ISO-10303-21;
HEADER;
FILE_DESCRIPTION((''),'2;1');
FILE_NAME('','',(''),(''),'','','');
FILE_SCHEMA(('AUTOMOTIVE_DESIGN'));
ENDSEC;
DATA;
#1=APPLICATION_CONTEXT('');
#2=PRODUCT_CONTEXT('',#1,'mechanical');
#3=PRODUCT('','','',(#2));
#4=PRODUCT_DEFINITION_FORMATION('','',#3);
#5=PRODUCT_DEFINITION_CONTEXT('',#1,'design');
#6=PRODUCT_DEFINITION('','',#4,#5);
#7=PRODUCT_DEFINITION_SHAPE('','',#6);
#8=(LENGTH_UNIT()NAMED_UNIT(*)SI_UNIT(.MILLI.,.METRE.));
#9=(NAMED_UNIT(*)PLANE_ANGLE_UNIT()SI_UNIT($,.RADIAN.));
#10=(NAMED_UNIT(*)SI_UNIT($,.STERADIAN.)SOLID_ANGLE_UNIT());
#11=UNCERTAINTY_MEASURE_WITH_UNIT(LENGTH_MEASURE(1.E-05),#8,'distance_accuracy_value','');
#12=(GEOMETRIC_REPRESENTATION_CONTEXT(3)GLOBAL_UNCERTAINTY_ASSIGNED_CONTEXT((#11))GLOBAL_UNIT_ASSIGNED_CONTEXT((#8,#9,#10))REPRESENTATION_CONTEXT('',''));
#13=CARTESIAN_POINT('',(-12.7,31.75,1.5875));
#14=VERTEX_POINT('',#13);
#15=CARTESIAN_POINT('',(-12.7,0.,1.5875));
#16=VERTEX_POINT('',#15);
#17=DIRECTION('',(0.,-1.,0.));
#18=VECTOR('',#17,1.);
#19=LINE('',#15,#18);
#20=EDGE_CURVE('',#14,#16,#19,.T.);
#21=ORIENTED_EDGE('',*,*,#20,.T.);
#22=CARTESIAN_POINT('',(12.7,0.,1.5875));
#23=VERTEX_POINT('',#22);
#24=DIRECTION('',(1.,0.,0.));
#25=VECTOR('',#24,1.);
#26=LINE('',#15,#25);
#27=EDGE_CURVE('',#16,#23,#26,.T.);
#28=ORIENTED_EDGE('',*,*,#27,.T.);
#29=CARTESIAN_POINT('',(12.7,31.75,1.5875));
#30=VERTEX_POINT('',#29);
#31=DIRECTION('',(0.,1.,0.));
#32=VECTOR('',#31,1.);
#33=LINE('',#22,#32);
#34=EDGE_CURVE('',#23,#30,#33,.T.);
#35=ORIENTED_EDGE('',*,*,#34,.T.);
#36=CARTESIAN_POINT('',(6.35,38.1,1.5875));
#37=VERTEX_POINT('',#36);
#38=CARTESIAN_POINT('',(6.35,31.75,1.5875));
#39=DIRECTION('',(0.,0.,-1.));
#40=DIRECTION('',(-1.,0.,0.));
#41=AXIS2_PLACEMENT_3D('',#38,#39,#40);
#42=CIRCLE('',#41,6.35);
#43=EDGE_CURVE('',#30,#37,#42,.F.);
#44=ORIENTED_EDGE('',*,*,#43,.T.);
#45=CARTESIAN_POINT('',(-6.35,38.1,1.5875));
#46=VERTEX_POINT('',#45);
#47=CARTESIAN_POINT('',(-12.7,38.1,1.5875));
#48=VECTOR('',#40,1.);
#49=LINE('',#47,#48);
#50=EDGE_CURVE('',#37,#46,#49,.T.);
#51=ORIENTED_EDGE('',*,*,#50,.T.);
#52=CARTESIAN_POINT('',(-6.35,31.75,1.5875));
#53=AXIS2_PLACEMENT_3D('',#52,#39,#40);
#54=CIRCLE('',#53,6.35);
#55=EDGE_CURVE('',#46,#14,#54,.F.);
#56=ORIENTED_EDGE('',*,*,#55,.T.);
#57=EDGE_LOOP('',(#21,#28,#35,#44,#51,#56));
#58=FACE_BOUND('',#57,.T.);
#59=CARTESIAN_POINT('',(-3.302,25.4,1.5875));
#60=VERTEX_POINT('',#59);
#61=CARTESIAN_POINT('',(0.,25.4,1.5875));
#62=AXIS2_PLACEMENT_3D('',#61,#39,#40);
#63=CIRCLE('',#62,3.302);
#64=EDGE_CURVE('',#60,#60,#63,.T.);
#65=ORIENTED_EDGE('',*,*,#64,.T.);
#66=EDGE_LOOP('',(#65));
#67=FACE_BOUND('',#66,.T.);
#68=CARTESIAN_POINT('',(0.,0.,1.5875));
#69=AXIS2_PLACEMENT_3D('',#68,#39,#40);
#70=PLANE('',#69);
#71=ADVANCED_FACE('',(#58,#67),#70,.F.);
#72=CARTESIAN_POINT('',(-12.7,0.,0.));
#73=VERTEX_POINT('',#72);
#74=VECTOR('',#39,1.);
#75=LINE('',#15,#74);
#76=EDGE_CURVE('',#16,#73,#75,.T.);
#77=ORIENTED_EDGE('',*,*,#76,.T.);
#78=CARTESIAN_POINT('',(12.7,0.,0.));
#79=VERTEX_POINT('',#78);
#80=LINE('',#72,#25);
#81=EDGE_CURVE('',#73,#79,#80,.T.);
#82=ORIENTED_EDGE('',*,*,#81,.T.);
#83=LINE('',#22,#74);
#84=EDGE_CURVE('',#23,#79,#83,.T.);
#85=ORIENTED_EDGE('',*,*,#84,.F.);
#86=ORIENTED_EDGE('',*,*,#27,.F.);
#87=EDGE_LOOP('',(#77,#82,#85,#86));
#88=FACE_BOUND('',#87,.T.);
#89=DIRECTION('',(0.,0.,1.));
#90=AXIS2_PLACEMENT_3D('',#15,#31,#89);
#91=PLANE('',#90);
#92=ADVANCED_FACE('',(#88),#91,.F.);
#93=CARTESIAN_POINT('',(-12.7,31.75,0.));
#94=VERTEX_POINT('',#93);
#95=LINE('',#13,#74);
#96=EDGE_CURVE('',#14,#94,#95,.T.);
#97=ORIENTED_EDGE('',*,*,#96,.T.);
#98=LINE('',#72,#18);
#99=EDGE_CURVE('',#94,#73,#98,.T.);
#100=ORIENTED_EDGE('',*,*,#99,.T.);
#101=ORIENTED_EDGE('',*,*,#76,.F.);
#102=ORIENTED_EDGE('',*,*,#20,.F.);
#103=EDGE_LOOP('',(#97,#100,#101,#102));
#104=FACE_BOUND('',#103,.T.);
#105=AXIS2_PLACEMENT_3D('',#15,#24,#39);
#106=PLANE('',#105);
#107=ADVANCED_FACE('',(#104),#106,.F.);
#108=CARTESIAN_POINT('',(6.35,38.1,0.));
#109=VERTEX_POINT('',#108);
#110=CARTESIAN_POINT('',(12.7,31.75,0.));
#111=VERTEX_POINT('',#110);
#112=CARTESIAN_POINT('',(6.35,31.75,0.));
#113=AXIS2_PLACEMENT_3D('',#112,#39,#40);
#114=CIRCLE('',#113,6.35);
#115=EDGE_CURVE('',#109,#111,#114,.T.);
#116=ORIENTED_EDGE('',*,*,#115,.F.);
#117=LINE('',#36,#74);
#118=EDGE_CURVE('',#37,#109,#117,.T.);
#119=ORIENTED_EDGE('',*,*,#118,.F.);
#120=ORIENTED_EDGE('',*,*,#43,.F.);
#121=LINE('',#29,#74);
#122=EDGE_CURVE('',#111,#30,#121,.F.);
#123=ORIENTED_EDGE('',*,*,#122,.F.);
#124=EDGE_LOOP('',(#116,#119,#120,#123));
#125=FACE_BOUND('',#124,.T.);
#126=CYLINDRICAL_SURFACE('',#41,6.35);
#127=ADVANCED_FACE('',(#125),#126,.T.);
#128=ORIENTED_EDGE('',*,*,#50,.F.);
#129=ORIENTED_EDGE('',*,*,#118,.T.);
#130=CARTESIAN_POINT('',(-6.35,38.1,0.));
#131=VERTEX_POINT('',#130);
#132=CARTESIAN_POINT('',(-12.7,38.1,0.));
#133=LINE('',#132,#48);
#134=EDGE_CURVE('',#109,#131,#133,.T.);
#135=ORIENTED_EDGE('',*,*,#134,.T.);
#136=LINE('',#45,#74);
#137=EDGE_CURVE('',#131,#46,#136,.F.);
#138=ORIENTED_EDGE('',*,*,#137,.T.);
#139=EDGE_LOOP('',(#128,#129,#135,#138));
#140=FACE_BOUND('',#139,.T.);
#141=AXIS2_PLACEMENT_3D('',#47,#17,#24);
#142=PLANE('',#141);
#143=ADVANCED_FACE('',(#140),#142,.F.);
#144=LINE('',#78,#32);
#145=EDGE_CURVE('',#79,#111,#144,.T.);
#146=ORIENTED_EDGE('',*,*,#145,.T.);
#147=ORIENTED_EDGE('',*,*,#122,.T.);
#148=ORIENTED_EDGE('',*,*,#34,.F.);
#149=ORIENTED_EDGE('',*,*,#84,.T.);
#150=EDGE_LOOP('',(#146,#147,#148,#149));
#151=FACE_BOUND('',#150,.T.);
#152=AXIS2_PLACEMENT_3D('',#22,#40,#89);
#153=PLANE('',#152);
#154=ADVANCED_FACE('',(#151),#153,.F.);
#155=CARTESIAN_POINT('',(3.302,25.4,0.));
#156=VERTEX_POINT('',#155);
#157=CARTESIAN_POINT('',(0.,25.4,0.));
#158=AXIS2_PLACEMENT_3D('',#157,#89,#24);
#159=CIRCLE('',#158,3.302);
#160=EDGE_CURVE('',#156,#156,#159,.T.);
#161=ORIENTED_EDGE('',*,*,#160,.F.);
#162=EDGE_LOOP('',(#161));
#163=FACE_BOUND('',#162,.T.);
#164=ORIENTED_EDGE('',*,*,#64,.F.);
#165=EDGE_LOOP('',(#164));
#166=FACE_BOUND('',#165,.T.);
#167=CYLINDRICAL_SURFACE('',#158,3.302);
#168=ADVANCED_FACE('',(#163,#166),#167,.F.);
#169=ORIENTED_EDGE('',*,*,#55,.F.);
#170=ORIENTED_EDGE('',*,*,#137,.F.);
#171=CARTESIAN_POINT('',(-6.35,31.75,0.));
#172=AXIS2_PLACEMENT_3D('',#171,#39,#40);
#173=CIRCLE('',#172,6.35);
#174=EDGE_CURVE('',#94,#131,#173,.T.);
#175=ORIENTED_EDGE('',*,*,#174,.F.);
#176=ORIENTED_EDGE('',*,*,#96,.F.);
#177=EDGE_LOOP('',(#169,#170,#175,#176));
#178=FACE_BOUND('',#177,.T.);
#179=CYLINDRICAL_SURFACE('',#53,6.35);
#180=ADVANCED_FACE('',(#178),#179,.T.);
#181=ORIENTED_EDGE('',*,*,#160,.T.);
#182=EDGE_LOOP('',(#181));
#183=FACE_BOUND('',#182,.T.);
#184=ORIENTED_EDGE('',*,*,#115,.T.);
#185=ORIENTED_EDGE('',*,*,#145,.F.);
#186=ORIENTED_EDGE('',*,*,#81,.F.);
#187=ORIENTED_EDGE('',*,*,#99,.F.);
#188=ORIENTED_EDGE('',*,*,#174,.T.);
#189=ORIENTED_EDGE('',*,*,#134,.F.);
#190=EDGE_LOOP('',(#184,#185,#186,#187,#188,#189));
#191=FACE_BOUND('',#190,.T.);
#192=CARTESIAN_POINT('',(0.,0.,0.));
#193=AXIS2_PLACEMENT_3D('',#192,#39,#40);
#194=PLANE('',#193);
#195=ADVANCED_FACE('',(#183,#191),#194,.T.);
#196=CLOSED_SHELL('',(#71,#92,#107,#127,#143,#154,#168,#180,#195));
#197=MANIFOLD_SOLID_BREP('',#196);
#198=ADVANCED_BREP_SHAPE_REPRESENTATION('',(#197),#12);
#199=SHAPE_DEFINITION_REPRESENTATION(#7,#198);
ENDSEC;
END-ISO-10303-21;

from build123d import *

# Parameters (mm, degrees)
SKETCH1_W               = 25.4
SKETCH1_H               = 38.1
BOSS_EXTRUDE1_DEPTH     = 1.5875
CUT_EXTRUDE1_DEPTH      = 41.192289761
CUT_EXTRUDE1_DEPTH_BACK = 41.192289761
SKETCH2_R               = 3.302
FILLET1_R               = 6.35


with BuildPart() as part:
    # Sketch1 → Boss-Extrude1 (new body)
    with BuildSketch(Plane.XY):
        with Locations((0, 19.05)):
            Rectangle(SKETCH1_W, SKETCH1_H)
    extrude(amount=BOSS_EXTRUDE1_DEPTH)

    # Sketch2 → Cut-Extrude1 (cut, two sides: drawn at the far end of the back side and taken through both)
    with BuildSketch(Plane.XY.offset(1.5875).offset(-CUT_EXTRUDE1_DEPTH_BACK)):
        with Locations((0, 25.4)):
            Circle(SKETCH2_R)
    extrude(amount=CUT_EXTRUDE1_DEPTH + CUT_EXTRUDE1_DEPTH_BACK, mode=Mode.SUBTRACT)

    # Fillet1
    fillet1_edges = [part.edges().sort_by_distance(p)[0] for p in [
        (-12.7, 38.1, 0.79375),
        (12.7, 38.1, 0.79375),
    ]]
    fillet(fillet1_edges, radius=FILLET1_R)


solid = part.part
